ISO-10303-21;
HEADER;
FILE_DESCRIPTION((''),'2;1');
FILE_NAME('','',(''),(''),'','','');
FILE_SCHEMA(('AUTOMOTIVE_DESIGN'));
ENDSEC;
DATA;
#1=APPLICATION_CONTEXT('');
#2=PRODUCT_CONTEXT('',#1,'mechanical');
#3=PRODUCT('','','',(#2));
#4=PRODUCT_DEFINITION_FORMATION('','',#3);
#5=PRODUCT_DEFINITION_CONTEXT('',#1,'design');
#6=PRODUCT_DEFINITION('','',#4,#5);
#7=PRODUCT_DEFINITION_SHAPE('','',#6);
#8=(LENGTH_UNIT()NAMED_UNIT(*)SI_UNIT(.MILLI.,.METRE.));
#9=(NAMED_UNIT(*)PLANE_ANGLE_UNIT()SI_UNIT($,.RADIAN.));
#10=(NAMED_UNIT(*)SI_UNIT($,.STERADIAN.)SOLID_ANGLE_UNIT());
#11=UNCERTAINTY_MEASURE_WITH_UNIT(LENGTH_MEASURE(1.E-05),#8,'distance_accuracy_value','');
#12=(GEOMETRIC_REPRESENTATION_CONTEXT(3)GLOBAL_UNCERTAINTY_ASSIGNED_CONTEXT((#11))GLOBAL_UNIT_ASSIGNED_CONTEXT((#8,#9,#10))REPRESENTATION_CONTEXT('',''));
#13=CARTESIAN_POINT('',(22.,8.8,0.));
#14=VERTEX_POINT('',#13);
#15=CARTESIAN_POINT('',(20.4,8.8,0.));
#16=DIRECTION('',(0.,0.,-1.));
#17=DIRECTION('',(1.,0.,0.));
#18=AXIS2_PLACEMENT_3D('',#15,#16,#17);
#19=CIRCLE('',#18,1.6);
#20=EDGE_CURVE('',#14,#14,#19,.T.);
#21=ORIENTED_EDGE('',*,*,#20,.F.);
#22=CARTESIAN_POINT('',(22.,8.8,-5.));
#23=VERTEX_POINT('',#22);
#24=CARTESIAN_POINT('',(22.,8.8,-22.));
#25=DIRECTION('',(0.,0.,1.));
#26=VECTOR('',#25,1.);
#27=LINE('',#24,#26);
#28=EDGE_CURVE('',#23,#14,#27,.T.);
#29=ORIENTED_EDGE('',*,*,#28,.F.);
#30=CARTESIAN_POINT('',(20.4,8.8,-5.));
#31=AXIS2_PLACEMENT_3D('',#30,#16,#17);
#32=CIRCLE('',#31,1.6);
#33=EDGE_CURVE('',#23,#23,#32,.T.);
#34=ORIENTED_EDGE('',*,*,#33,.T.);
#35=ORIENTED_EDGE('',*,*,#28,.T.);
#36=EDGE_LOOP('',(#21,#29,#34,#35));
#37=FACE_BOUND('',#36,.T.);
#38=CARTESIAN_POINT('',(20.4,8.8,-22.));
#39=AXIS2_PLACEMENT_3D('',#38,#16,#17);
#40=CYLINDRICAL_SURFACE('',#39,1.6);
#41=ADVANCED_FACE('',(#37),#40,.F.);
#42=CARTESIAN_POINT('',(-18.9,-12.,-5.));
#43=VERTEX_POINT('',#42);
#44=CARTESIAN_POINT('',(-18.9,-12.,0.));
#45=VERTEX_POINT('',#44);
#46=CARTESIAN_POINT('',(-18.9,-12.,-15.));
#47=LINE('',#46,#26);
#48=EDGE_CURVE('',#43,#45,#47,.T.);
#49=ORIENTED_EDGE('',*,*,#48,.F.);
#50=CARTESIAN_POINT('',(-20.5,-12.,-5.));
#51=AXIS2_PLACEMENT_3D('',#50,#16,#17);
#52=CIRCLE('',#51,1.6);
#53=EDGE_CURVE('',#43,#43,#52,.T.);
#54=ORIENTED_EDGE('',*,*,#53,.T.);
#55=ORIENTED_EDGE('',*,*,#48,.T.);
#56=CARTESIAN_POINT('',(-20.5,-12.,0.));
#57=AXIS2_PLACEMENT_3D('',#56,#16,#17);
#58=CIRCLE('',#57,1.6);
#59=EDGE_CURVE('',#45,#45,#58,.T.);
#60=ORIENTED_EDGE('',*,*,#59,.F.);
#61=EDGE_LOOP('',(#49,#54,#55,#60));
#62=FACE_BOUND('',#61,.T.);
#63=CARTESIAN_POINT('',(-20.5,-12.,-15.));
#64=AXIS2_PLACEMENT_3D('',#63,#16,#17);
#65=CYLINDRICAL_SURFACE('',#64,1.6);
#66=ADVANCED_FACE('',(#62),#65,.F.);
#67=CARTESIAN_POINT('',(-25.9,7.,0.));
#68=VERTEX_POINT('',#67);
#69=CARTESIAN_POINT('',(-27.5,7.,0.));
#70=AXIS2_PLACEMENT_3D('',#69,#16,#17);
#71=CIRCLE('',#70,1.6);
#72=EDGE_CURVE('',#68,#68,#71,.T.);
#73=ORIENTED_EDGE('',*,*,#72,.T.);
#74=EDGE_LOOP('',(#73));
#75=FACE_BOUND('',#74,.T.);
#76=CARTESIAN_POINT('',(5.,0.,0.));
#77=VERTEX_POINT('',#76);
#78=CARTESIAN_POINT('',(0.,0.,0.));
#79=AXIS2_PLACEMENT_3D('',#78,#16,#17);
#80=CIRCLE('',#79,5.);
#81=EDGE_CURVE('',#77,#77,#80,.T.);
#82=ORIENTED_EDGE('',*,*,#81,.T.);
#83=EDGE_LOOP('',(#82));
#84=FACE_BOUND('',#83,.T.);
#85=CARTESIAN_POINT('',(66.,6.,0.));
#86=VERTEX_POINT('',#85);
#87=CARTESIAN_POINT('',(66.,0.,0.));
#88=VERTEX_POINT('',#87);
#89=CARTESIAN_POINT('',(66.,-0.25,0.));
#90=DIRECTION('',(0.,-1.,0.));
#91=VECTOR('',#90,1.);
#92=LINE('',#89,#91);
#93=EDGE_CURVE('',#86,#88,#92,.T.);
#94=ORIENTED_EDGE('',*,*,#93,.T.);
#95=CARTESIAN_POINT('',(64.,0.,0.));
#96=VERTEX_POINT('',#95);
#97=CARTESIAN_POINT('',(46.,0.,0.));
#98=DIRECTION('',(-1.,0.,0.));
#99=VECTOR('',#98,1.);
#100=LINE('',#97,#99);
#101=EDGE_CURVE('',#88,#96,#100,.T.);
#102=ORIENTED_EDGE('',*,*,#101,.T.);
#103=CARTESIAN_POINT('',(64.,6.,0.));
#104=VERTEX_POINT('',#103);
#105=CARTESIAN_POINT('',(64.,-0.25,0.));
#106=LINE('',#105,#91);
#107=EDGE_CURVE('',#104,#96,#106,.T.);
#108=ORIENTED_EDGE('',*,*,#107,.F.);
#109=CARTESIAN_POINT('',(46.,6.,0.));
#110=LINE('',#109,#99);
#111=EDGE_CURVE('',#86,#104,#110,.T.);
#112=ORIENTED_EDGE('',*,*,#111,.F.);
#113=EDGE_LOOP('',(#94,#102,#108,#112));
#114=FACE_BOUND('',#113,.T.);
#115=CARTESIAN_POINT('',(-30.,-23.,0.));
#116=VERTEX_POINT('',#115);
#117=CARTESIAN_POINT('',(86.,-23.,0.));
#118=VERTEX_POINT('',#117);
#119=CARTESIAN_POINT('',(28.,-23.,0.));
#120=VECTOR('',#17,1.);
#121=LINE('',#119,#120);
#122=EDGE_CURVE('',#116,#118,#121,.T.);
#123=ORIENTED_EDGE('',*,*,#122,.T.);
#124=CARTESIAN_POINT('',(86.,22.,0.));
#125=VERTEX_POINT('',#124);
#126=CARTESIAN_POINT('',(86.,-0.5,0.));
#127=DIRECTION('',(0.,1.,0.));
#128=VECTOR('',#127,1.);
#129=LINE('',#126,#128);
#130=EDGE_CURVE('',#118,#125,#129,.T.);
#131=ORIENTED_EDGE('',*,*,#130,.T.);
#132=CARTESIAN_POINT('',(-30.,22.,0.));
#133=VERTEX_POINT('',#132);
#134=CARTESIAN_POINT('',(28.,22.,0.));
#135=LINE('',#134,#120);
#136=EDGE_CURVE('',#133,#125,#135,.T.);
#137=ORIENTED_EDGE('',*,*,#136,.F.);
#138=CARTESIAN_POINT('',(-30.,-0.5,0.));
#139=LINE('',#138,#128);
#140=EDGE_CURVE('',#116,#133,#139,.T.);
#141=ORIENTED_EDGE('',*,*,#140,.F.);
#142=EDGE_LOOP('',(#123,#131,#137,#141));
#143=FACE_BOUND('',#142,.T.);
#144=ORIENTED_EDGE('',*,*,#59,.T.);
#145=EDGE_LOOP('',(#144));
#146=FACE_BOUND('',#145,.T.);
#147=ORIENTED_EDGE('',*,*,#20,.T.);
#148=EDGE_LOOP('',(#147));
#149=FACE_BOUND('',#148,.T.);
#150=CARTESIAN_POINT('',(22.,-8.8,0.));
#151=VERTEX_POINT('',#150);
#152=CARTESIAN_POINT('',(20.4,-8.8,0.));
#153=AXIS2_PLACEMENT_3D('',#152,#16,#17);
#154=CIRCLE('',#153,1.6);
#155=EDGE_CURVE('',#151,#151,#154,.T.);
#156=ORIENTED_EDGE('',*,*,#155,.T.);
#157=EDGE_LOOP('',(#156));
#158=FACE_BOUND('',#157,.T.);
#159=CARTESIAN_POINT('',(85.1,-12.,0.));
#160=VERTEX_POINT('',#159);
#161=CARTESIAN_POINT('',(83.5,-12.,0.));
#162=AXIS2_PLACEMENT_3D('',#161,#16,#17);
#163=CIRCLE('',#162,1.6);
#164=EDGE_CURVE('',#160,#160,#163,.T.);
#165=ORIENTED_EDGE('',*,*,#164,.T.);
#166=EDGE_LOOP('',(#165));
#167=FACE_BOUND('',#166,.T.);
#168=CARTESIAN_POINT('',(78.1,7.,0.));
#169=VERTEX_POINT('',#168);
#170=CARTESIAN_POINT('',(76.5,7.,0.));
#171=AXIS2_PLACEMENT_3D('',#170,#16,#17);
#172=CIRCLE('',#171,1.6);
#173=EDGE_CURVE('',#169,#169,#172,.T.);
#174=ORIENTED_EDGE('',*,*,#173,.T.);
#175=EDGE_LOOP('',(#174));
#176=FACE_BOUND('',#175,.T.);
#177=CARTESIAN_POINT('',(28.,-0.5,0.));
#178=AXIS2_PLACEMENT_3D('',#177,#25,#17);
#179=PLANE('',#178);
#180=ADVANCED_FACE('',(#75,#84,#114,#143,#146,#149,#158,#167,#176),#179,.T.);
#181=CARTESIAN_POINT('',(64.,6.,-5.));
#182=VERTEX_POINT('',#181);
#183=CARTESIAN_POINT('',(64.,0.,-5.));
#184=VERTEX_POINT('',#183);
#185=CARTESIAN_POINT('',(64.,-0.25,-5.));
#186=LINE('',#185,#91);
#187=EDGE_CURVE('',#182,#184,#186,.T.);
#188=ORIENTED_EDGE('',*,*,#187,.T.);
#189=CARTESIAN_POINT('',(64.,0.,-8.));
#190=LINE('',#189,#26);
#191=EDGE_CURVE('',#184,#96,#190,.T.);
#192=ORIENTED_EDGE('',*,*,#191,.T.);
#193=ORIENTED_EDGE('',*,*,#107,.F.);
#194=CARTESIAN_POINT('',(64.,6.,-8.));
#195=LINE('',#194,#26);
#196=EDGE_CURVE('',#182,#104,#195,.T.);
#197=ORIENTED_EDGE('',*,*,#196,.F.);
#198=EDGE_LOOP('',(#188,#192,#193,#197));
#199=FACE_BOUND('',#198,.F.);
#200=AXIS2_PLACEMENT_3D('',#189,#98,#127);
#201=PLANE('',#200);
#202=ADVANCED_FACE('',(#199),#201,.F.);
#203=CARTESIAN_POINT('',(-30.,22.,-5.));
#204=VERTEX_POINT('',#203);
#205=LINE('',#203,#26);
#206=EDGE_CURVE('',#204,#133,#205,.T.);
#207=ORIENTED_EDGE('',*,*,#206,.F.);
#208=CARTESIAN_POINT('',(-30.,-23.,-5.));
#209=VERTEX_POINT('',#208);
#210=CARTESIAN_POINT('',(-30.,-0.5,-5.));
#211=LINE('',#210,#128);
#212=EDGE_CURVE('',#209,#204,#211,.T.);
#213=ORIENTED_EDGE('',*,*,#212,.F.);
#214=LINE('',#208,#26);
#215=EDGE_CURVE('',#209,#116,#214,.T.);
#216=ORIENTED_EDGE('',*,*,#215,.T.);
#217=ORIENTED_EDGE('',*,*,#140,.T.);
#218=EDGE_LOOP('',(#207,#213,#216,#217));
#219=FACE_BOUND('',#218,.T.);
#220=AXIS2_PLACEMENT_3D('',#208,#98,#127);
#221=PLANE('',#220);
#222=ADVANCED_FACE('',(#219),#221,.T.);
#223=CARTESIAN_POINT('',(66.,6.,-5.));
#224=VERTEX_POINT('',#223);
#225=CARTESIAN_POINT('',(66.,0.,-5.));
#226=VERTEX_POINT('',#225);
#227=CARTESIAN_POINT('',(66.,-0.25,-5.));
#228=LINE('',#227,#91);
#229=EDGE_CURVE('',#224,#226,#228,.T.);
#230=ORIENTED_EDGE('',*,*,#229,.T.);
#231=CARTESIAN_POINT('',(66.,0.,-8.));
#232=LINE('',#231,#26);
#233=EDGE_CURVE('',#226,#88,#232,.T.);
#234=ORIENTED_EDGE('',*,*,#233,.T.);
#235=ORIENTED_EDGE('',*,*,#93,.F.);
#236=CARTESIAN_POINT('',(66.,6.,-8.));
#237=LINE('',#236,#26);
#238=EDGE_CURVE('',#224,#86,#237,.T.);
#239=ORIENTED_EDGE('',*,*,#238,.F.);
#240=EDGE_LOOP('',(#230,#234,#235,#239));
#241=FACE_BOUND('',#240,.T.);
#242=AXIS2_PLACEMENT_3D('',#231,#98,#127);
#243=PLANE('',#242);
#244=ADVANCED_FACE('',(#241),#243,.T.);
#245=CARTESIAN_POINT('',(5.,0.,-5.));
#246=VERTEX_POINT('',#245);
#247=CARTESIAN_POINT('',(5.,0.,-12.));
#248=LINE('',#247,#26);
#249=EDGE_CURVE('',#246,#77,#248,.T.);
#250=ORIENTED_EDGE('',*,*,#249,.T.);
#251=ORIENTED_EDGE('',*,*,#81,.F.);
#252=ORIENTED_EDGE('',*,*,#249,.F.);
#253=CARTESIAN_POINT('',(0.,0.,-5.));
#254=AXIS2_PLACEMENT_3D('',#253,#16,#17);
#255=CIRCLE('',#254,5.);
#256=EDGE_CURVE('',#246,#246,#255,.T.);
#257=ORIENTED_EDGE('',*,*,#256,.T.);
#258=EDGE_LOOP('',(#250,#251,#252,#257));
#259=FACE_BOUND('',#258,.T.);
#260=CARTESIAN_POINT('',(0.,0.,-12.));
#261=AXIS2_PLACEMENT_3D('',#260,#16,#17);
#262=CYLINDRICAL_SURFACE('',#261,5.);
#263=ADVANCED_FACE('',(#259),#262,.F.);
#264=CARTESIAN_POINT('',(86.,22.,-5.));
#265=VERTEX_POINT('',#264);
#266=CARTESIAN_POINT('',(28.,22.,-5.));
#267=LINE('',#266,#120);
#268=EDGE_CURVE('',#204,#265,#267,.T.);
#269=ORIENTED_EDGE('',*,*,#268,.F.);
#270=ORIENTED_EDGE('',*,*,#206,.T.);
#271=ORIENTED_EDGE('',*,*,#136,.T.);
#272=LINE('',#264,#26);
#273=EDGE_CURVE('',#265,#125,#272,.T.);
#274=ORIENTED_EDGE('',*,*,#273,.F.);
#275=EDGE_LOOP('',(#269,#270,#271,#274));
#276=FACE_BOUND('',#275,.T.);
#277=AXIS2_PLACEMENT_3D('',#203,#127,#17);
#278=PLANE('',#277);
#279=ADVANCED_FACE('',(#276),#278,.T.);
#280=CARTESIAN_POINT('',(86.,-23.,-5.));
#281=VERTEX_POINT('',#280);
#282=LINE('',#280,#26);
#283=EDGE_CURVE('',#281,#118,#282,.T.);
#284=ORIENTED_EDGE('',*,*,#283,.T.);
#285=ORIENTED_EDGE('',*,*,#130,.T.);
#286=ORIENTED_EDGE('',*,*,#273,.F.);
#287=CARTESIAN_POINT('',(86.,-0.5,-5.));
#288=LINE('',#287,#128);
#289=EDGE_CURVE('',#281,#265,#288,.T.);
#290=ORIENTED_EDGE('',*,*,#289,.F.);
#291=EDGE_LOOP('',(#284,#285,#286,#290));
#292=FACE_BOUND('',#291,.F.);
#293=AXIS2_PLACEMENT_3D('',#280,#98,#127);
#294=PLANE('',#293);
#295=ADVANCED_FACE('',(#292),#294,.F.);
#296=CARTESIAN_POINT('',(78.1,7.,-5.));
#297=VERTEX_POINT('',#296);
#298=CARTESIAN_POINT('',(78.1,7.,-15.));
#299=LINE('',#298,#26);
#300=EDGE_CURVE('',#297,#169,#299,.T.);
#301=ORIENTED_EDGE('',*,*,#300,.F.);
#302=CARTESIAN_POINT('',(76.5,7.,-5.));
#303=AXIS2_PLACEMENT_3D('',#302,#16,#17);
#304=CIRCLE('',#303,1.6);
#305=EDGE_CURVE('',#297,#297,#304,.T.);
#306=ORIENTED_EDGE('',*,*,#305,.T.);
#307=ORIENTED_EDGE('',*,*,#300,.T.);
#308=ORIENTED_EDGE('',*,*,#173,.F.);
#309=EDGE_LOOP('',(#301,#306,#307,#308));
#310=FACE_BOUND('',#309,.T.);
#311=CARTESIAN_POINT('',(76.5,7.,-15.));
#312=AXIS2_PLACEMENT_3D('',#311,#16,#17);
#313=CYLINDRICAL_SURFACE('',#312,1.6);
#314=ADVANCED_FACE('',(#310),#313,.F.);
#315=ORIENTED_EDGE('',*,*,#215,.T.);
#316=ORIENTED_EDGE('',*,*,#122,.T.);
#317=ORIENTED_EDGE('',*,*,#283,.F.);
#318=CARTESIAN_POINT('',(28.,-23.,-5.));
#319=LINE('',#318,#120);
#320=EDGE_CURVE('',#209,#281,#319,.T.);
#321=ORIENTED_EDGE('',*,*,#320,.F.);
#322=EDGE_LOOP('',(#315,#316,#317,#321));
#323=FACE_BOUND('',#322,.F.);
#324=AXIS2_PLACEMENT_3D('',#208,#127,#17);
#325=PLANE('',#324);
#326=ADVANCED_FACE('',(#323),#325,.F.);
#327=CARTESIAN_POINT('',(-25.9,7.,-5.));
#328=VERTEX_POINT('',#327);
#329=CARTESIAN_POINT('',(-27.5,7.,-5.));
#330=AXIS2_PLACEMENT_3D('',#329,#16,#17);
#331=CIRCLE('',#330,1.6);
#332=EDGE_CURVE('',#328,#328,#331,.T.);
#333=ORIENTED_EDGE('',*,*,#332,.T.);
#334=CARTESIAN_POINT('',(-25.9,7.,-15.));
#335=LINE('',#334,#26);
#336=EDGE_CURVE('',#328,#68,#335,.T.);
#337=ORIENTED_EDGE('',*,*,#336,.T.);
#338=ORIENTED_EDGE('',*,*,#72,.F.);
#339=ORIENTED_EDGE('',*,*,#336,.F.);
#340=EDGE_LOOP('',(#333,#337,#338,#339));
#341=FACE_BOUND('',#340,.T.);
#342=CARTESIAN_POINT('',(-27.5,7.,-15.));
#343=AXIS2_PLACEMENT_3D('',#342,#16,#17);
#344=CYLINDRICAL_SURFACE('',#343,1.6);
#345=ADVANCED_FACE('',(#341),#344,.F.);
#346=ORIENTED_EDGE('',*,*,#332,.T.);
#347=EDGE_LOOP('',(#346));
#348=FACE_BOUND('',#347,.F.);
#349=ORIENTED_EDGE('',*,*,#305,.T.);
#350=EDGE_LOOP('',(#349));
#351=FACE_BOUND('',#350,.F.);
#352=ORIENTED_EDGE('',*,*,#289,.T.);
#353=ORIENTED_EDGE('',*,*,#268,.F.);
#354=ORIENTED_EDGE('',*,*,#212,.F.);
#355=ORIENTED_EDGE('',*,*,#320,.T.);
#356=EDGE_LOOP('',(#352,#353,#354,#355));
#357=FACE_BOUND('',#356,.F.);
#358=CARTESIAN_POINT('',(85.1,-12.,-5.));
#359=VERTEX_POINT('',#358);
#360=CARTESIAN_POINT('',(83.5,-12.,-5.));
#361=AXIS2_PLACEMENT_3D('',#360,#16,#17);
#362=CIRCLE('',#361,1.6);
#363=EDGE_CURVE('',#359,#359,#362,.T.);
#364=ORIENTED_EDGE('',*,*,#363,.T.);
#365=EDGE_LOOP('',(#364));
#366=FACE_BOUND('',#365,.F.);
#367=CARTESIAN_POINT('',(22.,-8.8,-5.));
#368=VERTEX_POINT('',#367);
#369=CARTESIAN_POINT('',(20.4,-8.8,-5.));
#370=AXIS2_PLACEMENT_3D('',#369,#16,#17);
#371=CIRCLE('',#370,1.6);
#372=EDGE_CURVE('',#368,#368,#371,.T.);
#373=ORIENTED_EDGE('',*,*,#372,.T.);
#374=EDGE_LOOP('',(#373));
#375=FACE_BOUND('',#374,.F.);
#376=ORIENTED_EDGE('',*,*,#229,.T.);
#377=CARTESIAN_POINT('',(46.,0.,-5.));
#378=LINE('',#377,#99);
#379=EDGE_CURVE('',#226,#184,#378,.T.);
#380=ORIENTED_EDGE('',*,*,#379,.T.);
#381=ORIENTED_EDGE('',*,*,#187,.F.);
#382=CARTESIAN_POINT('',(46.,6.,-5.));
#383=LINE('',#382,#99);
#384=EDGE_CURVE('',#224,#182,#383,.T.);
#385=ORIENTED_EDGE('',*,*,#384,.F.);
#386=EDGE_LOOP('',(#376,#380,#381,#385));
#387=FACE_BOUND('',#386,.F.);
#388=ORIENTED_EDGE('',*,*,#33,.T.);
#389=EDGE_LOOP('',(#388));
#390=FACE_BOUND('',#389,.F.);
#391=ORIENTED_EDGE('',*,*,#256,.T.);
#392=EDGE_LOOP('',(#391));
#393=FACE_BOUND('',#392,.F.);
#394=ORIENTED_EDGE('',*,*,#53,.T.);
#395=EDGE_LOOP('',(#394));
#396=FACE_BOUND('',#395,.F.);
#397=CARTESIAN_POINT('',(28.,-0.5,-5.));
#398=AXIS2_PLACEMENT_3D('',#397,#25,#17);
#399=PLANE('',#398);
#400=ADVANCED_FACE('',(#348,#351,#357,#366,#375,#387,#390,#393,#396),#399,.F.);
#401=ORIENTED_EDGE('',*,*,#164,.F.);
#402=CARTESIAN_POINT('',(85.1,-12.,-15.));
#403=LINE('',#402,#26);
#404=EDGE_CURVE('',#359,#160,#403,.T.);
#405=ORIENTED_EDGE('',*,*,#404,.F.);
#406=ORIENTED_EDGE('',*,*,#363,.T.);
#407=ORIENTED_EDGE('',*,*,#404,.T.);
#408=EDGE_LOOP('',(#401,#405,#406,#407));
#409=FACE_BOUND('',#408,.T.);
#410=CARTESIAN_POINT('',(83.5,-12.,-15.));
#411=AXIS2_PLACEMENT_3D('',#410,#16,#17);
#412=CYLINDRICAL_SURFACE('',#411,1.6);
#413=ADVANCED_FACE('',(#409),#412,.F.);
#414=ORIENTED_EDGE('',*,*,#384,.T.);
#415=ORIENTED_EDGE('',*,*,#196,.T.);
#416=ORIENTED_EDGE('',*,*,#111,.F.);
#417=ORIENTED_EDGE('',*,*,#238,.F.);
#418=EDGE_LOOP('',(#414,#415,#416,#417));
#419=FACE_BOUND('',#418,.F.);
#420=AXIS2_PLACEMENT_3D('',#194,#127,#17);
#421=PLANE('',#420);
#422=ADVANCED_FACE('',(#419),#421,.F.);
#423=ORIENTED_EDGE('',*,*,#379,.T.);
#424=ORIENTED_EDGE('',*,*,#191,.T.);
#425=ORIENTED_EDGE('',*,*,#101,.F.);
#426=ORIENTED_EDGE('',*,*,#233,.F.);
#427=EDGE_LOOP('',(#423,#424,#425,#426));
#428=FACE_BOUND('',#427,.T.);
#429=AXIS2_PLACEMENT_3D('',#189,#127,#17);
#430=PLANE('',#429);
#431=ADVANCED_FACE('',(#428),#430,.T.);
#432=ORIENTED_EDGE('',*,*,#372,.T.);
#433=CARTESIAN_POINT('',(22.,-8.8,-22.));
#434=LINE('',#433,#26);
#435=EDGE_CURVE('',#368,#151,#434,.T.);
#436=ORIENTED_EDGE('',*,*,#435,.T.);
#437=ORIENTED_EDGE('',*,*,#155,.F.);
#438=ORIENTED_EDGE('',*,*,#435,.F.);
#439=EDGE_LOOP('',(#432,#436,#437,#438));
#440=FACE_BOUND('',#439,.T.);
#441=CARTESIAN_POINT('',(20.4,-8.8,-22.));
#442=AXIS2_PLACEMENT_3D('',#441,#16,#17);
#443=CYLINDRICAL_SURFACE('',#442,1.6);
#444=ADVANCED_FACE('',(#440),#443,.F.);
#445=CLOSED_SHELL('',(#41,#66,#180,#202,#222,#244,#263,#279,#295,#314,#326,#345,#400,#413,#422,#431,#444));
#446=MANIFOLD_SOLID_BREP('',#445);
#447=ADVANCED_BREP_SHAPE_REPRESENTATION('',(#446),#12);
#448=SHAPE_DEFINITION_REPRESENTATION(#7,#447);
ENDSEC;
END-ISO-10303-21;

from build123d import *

# Parameters (mm, degrees)
BOX036_W                = 2
BOX036_H                = 6
BOX036_DEPTH            = 10
CYLINDER030_R           = 1.6
CYLINDER030_DEPTH       = 50
CYLINDER029_R           = 5
CYLINDER029_DEPTH       = 22.5
CYLINDER031_R           = 1.6
CYLINDER031_DEPTH       = 50
CYLINDER019_R           = 1.6
CYLINDER019_DEPTH       = 40
CYLINDER019_PITCH_ANGLE = 90
CYLINDER018_R           = 1.6
CYLINDER018_DEPTH       = 40
CYLINDER018_PITCH_ANGLE = 90
CYLINDER017_R           = 1.6
CYLINDER017_DEPTH       = 40
CYLINDER016_R           = 1.6
CYLINDER016_DEPTH       = 70
CYLINDER016_ROLL_ANGLE  = 90
CYLINDER015_R           = 1.6
CYLINDER015_DEPTH       = 40
BOX012_W                = 116
BOX012_H                = 45
BOX012_DEPTH            = 5


with BuildPart() as cube024:
    # Box036 → Box036 (new body)
    with BuildSketch(Plane(origin=(64, 0, -8), x_dir=(1, 0, 0), z_dir=(0, 0, 1))):
        with Locations((1, 3)):
            Rectangle(BOX036_W, BOX036_H)
    extrude(amount=BOX036_DEPTH)


with BuildPart() as cylinder030:
    # Cylinder030 → Cylinder030 (new body)
    with BuildSketch(Plane(origin=(20.4, 8.8, -22), x_dir=(1, 0, 0), z_dir=(0, 0, 1))):
        Circle(CYLINDER030_R)
    extrude(amount=CYLINDER030_DEPTH)


with BuildPart() as fusion034:
    # Cylinder029 → Cylinder029 (new body)
    with BuildSketch(Plane.XY.offset(-12)):
        Circle(CYLINDER029_R)
    extrude(amount=CYLINDER029_DEPTH)

    # Fusion034: union Cylinder030
    add(cylinder030.part)


with BuildPart() as motor_holes_z:
    # Cylinder031 → Cylinder031 (new body)
    with BuildSketch(Plane(origin=(20.4, -8.8, -22), x_dir=(1, 0, 0), z_dir=(0, 0, 1))):
        Circle(CYLINDER031_R)
    extrude(amount=CYLINDER031_DEPTH)

    # Fusion035: union Fusion034
    add(fusion034.part)


with BuildPart() as cylinder100:
    # Cylinder019 → Cylinder019 (new body)
    with BuildSketch(Plane.XY):
        Circle(CYLINDER019_R)
    extrude(amount=CYLINDER019_DEPTH)


with BuildPart() as cylinder100_1:
    # Cylinder019 pitch: moved
    add(cylinder100.part.rotate(Axis((0, 0, 0), (0, 1, 0)), CYLINDER019_PITCH_ANGLE))


with BuildPart() as cylinder100_2:
    # Cylinder019 placement: moved
    add(cylinder100_1.part.moved(Location((-40, 12, 9.5))))


with BuildPart() as fusion011:
    # Cylinder018 → Cylinder018 (new body)
    with BuildSketch(Plane.XY):
        Circle(CYLINDER018_R)
    extrude(amount=CYLINDER018_DEPTH)


with BuildPart() as fusion011_1:
    # Cylinder018 pitch: moved
    add(fusion011.part.rotate(Axis((0, 0, 0), (0, 1, 0)), CYLINDER018_PITCH_ANGLE))


with BuildPart() as fusion011_2:
    # Cylinder018 placement: moved
    add(fusion011_1.part.moved(Location((-40, -7, 2.5))))

    # Fusion011: union Cylinder100
    add(cylinder100_2.part)


with BuildPart() as fusion012:
    # Cylinder017 → Cylinder017 (new body)
    with BuildSketch(Plane(origin=(-27.5, 7, -15), x_dir=(1, 0, 0), z_dir=(0, 0, 1))):
        Circle(CYLINDER017_R)
    extrude(amount=CYLINDER017_DEPTH)

    # Fusion012: union Fusion011
    add(fusion011_2.part)


with BuildPart() as fusion013:
    # Cylinder016 → Cylinder016 (new body)
    with BuildSketch(Plane.XY):
        Circle(CYLINDER016_R)
    extrude(amount=CYLINDER016_DEPTH)


with BuildPart() as fusion013_1:
    # Cylinder016 roll: moved
    add(fusion013.part.rotate(Axis((0, 0, 0), (1, 0, 0)), CYLINDER016_ROLL_ANGLE))


with BuildPart() as fusion013_2:
    # Cylinder016 placement: moved
    add(fusion013_1.part.moved(Location((-24, 39, 6))))

    # Fusion013: union Fusion012
    add(fusion012.part)


with BuildPart() as cylinder008:
    # Cylinder015 → Cylinder015 (new body)
    with BuildSketch(Plane(origin=(-20.5, -12, -15), x_dir=(1, 0, 0), z_dir=(0, 0, 1))):
        Circle(CYLINDER015_R)
    extrude(amount=CYLINDER015_DEPTH)


with BuildPart() as face_corner_holes008:
    # Fusion022 base: copy of Cylinder008
    add(cylinder008.part)

    # Fusion022: union Fusion013
    add(fusion013_2.part)


with BuildPart() as face_corner_holes008_1:
    # Fusion022 placement: moved
    add(face_corner_holes008.part.moved(Location((104, 0, 0))))


with BuildPart() as face_corner_holes005:
    # Fusion019 base: copy of Cylinder008
    add(cylinder008.part)

    # Fusion019: union Fusion013
    add(fusion013_2.part)


with BuildPart() as left_a:
    # Box012 → Box012 (new body)
    with BuildSketch(Plane(origin=(-30, -23, -5), x_dir=(1, 0, 0), z_dir=(0, 0, 1))):
        with Locations((58, 22.5)):
            Rectangle(BOX012_W, BOX012_H)
    extrude(amount=BOX012_DEPTH)

    # Cut014: cut face-corner-holes005
    add(face_corner_holes005.part, mode=Mode.SUBTRACT)

    # Cut018: cut face-corner-holes008
    add(face_corner_holes008_1.part, mode=Mode.SUBTRACT)

    # Cut029: cut motor-holes-z
    add(motor_holes_z.part, mode=Mode.SUBTRACT)

    # Cut061: cut Cube024
    add(cube024.part, mode=Mode.SUBTRACT)


solid = left_a.part
